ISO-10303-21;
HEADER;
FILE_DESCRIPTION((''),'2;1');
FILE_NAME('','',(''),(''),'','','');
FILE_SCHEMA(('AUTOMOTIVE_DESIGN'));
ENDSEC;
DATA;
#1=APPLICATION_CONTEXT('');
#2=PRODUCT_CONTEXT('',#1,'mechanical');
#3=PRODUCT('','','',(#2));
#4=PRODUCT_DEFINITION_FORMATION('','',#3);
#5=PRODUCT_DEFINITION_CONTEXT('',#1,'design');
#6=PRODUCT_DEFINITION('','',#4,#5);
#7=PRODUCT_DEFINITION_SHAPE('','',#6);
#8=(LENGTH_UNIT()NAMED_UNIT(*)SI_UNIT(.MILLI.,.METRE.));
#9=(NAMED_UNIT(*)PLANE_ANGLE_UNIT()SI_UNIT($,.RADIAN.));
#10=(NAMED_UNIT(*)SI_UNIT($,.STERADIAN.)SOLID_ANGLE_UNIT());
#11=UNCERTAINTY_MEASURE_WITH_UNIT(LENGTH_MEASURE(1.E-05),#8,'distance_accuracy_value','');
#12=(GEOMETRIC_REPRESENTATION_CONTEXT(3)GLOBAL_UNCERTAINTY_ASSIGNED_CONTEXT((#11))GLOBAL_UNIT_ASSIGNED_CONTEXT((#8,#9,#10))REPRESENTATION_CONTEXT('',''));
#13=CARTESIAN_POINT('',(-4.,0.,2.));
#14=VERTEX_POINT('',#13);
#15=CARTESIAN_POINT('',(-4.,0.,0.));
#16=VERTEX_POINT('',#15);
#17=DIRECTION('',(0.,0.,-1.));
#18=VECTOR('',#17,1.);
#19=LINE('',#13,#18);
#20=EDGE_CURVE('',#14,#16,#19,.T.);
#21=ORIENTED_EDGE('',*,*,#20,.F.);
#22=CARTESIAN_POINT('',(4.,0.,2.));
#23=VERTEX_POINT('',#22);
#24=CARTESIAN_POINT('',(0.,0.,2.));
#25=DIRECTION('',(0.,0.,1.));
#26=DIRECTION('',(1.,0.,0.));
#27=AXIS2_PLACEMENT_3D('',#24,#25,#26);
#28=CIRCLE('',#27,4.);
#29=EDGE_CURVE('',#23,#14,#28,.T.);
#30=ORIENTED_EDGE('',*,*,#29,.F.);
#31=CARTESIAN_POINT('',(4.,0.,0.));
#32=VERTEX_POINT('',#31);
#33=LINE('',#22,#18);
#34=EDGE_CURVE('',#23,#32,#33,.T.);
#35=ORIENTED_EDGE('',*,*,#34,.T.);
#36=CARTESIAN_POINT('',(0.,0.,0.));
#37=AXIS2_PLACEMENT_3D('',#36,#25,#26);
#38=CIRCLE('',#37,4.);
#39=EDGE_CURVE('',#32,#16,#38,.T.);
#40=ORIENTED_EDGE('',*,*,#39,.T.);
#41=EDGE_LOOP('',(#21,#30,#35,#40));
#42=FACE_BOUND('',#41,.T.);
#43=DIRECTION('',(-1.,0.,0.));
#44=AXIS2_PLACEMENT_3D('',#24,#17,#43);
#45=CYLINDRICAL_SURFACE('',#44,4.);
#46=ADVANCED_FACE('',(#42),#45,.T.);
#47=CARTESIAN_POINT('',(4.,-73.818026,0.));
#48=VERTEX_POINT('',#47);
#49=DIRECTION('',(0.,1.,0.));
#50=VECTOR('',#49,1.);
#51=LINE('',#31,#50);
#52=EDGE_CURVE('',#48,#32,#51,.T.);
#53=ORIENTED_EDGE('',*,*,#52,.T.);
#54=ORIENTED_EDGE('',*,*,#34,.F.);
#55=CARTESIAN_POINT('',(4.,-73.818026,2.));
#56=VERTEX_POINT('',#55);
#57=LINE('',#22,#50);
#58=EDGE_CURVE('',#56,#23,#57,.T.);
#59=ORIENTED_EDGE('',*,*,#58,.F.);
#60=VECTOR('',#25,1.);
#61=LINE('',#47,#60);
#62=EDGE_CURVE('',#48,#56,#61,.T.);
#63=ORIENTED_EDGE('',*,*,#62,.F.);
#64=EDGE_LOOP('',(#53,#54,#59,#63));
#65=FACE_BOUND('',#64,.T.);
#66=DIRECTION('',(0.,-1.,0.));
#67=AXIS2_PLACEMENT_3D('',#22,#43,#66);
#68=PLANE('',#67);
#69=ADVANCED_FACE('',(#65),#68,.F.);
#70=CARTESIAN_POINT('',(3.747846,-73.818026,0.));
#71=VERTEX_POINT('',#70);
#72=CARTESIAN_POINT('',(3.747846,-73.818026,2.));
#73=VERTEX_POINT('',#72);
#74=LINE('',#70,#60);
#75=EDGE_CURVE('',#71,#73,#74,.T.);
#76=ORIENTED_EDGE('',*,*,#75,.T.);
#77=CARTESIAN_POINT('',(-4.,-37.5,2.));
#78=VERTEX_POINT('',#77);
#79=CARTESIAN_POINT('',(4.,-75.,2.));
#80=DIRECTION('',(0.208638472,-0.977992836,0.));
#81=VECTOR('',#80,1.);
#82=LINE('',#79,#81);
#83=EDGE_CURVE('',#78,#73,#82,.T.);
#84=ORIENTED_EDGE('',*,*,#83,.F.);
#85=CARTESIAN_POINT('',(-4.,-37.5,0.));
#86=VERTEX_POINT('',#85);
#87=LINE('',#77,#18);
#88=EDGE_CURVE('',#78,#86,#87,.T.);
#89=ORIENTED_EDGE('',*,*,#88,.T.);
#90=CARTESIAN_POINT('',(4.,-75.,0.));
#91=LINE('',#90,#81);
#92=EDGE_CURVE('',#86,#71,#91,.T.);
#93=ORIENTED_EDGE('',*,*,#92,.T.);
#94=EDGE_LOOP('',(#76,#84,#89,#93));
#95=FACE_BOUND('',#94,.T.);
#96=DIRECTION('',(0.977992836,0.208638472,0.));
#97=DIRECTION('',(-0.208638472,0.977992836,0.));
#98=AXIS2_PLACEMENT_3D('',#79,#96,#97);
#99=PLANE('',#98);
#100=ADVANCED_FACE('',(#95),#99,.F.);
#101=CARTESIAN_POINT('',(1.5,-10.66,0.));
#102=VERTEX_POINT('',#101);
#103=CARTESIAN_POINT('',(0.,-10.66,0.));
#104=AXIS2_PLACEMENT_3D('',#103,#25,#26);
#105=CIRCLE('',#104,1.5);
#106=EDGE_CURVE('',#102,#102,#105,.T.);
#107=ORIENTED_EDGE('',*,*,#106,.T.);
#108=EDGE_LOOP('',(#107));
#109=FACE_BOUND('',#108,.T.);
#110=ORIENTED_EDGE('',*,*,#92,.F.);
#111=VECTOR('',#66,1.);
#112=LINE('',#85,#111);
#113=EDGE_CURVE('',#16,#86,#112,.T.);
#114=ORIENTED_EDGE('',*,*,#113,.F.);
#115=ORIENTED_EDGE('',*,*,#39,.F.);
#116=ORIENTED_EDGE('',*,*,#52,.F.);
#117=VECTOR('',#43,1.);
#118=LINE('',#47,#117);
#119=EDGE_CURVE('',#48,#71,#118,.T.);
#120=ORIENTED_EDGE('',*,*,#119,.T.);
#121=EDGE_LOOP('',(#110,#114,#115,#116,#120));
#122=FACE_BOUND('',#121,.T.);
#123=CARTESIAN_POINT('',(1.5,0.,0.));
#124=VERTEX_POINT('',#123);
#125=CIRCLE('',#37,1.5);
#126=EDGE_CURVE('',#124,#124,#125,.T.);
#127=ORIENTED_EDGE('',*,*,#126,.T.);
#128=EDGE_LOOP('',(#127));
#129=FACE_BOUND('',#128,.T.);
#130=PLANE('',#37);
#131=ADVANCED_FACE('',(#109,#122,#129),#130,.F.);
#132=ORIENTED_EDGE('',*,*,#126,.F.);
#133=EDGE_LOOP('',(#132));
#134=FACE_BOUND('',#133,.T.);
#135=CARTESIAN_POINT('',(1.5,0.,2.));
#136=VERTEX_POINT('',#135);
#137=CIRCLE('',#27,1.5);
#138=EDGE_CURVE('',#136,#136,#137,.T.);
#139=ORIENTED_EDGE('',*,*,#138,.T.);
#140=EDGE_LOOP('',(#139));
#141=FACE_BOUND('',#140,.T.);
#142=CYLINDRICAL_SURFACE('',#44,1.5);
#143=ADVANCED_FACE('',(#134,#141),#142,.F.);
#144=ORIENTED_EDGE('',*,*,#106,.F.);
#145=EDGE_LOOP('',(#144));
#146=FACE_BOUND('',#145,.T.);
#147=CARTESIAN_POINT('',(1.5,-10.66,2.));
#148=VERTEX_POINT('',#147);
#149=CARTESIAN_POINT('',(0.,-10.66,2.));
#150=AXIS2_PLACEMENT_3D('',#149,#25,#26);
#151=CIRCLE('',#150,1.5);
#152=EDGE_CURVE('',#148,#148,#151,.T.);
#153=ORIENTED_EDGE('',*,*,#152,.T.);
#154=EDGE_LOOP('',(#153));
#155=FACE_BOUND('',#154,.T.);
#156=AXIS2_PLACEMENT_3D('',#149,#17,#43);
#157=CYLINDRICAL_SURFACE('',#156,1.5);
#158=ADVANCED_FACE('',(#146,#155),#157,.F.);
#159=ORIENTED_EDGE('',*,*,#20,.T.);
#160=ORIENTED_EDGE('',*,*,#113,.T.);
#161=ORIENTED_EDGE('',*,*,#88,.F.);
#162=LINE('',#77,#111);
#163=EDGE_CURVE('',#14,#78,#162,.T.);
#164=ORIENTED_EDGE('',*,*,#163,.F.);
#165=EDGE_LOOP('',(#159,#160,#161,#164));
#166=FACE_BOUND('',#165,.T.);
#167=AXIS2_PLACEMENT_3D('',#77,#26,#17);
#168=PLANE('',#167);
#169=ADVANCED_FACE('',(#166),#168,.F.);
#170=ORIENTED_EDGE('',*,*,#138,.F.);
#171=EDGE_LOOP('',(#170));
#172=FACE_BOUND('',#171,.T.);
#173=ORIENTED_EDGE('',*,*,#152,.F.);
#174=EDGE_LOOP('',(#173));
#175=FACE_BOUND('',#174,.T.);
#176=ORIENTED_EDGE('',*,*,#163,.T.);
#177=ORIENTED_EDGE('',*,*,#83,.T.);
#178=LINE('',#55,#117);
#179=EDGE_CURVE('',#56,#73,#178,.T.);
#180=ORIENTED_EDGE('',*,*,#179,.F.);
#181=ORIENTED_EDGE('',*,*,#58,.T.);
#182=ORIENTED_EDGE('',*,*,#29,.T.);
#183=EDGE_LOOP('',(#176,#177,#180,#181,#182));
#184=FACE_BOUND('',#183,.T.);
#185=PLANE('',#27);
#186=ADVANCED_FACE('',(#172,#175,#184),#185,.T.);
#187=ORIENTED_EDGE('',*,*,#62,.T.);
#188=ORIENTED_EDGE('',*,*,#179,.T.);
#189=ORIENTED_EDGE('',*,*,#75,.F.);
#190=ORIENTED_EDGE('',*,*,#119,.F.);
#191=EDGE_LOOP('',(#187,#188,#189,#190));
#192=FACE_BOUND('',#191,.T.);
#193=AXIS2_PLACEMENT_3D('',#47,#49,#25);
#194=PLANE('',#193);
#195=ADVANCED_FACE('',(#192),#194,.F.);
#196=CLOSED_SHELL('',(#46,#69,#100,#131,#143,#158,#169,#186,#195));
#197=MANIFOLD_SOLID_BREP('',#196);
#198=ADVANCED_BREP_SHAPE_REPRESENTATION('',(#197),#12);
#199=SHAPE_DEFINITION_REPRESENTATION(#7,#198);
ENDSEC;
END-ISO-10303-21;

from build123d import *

# Parameters (mm, degrees)
SKETCH_1_R          = 1.5
EXTRUDE_1_DEPTH     = 2
CUT_EXTRUDE_1_DEPTH = 2


with BuildPart() as part:
    # 草图1 → 凸台-拉伸1 (new body)
    with BuildSketch(Plane.XY):
        with BuildLine():
            Line((4, 0), (4, -75))
            Line((4, -75), (-4, -37.5))
            Line((-4, -37.5), (-4, 0))
            ThreePointArc((-4, 0), (0, 4), (4, 0))
        make_face()
        Circle(SKETCH_1_R, mode=Mode.SUBTRACT)
        with Locations((0, -10.66)):
            Circle(SKETCH_1_R, mode=Mode.SUBTRACT)
    extrude(amount=EXTRUDE_1_DEPTH)

    # 草图2 → 切除-拉伸1 (cut)
    with BuildSketch(Plane.XY.offset(2)):
        Polygon((4, -73.818025818), (3.747845508, -73.818025818), (4, -75), align=None)
    extrude(amount=-CUT_EXTRUDE_1_DEPTH, mode=Mode.SUBTRACT)


solid = part.part
